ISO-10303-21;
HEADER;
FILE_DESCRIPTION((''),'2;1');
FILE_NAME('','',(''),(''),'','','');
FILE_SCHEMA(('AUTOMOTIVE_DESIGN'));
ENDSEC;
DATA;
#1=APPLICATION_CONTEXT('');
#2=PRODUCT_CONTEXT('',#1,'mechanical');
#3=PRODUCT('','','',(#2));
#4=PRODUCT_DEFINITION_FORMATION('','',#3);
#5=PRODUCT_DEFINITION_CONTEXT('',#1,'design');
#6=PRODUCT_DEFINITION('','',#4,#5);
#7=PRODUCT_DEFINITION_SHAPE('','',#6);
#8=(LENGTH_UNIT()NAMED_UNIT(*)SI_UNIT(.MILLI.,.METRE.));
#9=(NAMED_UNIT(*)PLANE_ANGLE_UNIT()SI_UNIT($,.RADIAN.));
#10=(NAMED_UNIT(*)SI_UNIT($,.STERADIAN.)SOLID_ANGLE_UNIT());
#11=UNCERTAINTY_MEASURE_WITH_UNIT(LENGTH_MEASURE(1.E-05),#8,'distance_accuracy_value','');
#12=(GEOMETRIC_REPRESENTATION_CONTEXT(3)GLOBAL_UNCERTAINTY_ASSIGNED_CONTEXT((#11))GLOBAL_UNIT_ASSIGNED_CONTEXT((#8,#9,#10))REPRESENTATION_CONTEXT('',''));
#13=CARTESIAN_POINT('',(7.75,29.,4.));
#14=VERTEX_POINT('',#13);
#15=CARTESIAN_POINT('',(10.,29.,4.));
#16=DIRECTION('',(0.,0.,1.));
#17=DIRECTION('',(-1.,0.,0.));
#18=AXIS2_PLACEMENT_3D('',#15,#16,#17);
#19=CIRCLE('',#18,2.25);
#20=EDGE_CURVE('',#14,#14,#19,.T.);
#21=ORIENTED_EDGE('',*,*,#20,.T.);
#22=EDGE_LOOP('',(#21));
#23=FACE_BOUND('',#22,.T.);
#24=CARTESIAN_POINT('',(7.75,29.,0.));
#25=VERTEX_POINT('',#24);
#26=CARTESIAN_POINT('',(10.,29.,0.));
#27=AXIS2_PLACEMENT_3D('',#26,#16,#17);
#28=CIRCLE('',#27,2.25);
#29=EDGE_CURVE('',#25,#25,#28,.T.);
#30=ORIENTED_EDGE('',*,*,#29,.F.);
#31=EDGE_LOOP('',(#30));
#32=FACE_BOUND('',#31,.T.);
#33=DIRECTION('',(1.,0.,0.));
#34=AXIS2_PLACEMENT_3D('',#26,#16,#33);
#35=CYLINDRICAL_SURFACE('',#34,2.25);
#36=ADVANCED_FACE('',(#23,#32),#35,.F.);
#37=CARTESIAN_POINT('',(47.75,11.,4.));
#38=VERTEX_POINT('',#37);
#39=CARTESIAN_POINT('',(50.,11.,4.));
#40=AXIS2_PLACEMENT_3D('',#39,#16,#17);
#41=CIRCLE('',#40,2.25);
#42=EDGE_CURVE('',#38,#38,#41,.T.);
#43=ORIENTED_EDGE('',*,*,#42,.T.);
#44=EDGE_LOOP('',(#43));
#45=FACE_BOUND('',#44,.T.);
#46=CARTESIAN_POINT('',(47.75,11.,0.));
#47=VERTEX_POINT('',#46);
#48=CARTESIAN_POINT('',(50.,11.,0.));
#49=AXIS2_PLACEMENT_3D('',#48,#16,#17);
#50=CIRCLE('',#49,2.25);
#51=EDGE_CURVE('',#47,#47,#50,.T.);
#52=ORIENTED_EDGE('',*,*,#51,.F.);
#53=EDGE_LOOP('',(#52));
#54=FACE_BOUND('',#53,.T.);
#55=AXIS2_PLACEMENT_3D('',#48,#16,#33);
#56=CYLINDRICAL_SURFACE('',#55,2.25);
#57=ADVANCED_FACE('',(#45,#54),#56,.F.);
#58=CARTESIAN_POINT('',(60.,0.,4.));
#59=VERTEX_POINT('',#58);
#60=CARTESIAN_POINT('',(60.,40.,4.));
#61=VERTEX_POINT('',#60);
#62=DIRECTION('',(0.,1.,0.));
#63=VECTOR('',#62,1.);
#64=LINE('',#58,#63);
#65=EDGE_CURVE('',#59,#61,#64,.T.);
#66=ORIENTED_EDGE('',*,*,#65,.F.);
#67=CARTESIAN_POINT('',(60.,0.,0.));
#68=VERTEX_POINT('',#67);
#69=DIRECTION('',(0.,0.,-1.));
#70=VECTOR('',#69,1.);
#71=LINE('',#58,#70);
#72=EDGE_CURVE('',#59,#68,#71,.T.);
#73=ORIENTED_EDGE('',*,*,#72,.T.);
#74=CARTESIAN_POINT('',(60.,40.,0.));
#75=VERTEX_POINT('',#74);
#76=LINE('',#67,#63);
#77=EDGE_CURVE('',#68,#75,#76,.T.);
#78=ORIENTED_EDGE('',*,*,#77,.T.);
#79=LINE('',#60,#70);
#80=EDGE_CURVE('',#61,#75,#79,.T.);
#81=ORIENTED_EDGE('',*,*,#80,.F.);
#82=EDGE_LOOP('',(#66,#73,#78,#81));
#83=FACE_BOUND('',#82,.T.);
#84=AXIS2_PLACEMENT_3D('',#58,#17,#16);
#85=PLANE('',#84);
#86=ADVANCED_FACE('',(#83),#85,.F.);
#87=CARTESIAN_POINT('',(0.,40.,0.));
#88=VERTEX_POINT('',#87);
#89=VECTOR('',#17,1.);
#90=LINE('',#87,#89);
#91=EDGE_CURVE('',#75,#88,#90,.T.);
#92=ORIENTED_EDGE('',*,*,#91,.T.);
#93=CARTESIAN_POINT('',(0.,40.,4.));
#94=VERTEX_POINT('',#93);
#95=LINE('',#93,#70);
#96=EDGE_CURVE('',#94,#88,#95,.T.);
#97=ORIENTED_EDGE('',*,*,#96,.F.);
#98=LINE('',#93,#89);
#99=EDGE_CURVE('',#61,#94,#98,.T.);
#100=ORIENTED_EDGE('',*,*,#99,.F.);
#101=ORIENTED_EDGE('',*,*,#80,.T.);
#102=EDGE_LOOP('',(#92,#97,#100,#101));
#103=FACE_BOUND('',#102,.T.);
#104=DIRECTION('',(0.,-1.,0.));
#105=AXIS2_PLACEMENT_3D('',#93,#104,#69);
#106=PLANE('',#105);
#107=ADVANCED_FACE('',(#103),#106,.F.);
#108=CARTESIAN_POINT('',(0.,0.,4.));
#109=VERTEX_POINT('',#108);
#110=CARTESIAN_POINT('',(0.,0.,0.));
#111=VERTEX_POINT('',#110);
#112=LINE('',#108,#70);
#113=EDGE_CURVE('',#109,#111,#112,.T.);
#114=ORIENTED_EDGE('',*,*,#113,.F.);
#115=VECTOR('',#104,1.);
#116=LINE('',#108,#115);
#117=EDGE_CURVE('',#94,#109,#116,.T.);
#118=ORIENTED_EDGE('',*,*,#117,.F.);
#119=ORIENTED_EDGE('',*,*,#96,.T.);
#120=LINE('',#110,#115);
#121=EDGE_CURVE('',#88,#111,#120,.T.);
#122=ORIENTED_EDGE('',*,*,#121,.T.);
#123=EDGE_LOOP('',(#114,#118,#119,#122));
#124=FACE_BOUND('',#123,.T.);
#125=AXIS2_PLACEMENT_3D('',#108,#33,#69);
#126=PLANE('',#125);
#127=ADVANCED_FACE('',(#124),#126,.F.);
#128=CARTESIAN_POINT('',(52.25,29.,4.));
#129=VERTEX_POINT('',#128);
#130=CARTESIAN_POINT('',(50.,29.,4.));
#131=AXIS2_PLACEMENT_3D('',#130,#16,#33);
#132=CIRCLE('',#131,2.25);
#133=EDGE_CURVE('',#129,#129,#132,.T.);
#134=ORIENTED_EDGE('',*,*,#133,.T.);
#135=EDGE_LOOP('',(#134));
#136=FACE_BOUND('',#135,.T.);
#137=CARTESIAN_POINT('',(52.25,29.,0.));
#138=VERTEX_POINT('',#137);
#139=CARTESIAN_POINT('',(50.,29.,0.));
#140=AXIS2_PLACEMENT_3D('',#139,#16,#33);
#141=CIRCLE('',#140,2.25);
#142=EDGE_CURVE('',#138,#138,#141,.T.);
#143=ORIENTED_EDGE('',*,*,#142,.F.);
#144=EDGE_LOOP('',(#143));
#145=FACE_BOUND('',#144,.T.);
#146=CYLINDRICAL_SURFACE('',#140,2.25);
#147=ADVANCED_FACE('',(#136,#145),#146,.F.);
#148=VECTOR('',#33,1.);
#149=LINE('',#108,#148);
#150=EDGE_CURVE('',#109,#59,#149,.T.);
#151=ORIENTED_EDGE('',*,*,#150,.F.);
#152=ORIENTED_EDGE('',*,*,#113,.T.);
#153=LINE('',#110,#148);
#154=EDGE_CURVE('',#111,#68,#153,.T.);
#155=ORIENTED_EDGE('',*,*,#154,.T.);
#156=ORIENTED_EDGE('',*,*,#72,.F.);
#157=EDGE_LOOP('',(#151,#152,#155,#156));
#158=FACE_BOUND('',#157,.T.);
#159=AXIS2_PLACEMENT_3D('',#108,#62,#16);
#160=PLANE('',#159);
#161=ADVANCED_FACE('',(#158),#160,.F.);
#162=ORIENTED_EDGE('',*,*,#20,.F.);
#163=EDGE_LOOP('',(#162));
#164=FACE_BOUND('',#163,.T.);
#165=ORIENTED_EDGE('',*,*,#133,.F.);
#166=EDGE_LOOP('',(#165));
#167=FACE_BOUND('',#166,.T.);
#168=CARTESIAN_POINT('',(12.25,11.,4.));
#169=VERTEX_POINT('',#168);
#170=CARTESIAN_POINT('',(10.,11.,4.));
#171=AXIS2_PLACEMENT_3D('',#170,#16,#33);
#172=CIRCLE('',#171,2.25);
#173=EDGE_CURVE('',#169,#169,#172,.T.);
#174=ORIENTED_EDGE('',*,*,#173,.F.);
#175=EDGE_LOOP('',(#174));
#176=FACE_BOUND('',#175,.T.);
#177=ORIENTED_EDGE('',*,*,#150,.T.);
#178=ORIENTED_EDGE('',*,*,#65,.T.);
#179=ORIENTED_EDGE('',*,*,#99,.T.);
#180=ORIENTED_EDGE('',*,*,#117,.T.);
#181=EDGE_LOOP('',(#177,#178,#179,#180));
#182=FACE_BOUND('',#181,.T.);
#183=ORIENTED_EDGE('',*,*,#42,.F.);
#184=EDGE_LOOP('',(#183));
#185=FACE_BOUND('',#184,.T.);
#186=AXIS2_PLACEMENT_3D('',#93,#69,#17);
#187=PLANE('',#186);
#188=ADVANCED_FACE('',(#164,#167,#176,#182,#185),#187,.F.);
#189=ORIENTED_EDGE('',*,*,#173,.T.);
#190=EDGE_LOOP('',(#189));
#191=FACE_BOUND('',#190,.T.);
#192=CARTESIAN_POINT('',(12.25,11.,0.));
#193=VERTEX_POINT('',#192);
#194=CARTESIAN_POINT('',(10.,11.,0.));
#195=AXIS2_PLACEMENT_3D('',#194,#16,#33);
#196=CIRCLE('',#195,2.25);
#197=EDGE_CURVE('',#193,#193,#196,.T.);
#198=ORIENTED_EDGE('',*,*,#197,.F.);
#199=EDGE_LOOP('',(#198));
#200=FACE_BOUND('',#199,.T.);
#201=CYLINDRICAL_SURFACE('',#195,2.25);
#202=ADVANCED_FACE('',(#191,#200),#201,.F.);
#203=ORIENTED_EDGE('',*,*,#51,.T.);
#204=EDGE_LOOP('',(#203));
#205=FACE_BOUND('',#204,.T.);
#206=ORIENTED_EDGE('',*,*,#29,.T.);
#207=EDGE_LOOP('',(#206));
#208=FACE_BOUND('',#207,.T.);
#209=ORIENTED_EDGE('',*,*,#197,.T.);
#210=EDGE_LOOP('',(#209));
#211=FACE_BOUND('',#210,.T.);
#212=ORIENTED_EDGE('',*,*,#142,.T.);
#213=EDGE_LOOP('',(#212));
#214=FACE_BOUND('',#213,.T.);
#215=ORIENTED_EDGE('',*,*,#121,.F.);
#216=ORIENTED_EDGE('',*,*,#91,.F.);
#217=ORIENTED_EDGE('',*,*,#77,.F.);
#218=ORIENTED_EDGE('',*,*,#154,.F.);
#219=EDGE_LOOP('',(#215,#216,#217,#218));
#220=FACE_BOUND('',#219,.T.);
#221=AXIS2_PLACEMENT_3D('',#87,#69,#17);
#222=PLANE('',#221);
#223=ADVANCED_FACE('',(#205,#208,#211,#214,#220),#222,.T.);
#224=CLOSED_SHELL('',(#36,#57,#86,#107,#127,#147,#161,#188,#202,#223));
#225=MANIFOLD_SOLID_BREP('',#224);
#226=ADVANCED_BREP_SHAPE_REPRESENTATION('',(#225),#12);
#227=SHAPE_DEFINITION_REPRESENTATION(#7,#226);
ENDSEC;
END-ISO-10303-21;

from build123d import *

# Parameters (mm, degrees)
SKETCH_1_W          = 60
SKETCH_1_H          = 40
EXTRUDE_1_DEPTH     = 4
SKETCH_2_R          = 2.25
CUT_EXTRUDE_1_DEPTH = 73.221880341


with BuildPart() as part:
    # 草图1 → 凸台-拉伸1 (new body)
    with BuildSketch(Plane.XY):
        with Locations((30, 20)):
            Rectangle(SKETCH_1_W, SKETCH_1_H)
    extrude(amount=EXTRUDE_1_DEPTH)

    # 草图2 → 切除-拉伸1 (cut, through all)
    with BuildSketch(Plane.XY.offset(4)):
        with Locations((10, 11)):
            Circle(SKETCH_2_R)
        with Locations(Location((50, 11, 0), (0, 0, 180))):
            Circle(SKETCH_2_R)
        with Locations((50, 29)):
            Circle(SKETCH_2_R)
        with Locations(Location((10, 29, 0), (0, 0, 180))):
            Circle(SKETCH_2_R)
    extrude(amount=-CUT_EXTRUDE_1_DEPTH, mode=Mode.SUBTRACT)


solid = part.part
